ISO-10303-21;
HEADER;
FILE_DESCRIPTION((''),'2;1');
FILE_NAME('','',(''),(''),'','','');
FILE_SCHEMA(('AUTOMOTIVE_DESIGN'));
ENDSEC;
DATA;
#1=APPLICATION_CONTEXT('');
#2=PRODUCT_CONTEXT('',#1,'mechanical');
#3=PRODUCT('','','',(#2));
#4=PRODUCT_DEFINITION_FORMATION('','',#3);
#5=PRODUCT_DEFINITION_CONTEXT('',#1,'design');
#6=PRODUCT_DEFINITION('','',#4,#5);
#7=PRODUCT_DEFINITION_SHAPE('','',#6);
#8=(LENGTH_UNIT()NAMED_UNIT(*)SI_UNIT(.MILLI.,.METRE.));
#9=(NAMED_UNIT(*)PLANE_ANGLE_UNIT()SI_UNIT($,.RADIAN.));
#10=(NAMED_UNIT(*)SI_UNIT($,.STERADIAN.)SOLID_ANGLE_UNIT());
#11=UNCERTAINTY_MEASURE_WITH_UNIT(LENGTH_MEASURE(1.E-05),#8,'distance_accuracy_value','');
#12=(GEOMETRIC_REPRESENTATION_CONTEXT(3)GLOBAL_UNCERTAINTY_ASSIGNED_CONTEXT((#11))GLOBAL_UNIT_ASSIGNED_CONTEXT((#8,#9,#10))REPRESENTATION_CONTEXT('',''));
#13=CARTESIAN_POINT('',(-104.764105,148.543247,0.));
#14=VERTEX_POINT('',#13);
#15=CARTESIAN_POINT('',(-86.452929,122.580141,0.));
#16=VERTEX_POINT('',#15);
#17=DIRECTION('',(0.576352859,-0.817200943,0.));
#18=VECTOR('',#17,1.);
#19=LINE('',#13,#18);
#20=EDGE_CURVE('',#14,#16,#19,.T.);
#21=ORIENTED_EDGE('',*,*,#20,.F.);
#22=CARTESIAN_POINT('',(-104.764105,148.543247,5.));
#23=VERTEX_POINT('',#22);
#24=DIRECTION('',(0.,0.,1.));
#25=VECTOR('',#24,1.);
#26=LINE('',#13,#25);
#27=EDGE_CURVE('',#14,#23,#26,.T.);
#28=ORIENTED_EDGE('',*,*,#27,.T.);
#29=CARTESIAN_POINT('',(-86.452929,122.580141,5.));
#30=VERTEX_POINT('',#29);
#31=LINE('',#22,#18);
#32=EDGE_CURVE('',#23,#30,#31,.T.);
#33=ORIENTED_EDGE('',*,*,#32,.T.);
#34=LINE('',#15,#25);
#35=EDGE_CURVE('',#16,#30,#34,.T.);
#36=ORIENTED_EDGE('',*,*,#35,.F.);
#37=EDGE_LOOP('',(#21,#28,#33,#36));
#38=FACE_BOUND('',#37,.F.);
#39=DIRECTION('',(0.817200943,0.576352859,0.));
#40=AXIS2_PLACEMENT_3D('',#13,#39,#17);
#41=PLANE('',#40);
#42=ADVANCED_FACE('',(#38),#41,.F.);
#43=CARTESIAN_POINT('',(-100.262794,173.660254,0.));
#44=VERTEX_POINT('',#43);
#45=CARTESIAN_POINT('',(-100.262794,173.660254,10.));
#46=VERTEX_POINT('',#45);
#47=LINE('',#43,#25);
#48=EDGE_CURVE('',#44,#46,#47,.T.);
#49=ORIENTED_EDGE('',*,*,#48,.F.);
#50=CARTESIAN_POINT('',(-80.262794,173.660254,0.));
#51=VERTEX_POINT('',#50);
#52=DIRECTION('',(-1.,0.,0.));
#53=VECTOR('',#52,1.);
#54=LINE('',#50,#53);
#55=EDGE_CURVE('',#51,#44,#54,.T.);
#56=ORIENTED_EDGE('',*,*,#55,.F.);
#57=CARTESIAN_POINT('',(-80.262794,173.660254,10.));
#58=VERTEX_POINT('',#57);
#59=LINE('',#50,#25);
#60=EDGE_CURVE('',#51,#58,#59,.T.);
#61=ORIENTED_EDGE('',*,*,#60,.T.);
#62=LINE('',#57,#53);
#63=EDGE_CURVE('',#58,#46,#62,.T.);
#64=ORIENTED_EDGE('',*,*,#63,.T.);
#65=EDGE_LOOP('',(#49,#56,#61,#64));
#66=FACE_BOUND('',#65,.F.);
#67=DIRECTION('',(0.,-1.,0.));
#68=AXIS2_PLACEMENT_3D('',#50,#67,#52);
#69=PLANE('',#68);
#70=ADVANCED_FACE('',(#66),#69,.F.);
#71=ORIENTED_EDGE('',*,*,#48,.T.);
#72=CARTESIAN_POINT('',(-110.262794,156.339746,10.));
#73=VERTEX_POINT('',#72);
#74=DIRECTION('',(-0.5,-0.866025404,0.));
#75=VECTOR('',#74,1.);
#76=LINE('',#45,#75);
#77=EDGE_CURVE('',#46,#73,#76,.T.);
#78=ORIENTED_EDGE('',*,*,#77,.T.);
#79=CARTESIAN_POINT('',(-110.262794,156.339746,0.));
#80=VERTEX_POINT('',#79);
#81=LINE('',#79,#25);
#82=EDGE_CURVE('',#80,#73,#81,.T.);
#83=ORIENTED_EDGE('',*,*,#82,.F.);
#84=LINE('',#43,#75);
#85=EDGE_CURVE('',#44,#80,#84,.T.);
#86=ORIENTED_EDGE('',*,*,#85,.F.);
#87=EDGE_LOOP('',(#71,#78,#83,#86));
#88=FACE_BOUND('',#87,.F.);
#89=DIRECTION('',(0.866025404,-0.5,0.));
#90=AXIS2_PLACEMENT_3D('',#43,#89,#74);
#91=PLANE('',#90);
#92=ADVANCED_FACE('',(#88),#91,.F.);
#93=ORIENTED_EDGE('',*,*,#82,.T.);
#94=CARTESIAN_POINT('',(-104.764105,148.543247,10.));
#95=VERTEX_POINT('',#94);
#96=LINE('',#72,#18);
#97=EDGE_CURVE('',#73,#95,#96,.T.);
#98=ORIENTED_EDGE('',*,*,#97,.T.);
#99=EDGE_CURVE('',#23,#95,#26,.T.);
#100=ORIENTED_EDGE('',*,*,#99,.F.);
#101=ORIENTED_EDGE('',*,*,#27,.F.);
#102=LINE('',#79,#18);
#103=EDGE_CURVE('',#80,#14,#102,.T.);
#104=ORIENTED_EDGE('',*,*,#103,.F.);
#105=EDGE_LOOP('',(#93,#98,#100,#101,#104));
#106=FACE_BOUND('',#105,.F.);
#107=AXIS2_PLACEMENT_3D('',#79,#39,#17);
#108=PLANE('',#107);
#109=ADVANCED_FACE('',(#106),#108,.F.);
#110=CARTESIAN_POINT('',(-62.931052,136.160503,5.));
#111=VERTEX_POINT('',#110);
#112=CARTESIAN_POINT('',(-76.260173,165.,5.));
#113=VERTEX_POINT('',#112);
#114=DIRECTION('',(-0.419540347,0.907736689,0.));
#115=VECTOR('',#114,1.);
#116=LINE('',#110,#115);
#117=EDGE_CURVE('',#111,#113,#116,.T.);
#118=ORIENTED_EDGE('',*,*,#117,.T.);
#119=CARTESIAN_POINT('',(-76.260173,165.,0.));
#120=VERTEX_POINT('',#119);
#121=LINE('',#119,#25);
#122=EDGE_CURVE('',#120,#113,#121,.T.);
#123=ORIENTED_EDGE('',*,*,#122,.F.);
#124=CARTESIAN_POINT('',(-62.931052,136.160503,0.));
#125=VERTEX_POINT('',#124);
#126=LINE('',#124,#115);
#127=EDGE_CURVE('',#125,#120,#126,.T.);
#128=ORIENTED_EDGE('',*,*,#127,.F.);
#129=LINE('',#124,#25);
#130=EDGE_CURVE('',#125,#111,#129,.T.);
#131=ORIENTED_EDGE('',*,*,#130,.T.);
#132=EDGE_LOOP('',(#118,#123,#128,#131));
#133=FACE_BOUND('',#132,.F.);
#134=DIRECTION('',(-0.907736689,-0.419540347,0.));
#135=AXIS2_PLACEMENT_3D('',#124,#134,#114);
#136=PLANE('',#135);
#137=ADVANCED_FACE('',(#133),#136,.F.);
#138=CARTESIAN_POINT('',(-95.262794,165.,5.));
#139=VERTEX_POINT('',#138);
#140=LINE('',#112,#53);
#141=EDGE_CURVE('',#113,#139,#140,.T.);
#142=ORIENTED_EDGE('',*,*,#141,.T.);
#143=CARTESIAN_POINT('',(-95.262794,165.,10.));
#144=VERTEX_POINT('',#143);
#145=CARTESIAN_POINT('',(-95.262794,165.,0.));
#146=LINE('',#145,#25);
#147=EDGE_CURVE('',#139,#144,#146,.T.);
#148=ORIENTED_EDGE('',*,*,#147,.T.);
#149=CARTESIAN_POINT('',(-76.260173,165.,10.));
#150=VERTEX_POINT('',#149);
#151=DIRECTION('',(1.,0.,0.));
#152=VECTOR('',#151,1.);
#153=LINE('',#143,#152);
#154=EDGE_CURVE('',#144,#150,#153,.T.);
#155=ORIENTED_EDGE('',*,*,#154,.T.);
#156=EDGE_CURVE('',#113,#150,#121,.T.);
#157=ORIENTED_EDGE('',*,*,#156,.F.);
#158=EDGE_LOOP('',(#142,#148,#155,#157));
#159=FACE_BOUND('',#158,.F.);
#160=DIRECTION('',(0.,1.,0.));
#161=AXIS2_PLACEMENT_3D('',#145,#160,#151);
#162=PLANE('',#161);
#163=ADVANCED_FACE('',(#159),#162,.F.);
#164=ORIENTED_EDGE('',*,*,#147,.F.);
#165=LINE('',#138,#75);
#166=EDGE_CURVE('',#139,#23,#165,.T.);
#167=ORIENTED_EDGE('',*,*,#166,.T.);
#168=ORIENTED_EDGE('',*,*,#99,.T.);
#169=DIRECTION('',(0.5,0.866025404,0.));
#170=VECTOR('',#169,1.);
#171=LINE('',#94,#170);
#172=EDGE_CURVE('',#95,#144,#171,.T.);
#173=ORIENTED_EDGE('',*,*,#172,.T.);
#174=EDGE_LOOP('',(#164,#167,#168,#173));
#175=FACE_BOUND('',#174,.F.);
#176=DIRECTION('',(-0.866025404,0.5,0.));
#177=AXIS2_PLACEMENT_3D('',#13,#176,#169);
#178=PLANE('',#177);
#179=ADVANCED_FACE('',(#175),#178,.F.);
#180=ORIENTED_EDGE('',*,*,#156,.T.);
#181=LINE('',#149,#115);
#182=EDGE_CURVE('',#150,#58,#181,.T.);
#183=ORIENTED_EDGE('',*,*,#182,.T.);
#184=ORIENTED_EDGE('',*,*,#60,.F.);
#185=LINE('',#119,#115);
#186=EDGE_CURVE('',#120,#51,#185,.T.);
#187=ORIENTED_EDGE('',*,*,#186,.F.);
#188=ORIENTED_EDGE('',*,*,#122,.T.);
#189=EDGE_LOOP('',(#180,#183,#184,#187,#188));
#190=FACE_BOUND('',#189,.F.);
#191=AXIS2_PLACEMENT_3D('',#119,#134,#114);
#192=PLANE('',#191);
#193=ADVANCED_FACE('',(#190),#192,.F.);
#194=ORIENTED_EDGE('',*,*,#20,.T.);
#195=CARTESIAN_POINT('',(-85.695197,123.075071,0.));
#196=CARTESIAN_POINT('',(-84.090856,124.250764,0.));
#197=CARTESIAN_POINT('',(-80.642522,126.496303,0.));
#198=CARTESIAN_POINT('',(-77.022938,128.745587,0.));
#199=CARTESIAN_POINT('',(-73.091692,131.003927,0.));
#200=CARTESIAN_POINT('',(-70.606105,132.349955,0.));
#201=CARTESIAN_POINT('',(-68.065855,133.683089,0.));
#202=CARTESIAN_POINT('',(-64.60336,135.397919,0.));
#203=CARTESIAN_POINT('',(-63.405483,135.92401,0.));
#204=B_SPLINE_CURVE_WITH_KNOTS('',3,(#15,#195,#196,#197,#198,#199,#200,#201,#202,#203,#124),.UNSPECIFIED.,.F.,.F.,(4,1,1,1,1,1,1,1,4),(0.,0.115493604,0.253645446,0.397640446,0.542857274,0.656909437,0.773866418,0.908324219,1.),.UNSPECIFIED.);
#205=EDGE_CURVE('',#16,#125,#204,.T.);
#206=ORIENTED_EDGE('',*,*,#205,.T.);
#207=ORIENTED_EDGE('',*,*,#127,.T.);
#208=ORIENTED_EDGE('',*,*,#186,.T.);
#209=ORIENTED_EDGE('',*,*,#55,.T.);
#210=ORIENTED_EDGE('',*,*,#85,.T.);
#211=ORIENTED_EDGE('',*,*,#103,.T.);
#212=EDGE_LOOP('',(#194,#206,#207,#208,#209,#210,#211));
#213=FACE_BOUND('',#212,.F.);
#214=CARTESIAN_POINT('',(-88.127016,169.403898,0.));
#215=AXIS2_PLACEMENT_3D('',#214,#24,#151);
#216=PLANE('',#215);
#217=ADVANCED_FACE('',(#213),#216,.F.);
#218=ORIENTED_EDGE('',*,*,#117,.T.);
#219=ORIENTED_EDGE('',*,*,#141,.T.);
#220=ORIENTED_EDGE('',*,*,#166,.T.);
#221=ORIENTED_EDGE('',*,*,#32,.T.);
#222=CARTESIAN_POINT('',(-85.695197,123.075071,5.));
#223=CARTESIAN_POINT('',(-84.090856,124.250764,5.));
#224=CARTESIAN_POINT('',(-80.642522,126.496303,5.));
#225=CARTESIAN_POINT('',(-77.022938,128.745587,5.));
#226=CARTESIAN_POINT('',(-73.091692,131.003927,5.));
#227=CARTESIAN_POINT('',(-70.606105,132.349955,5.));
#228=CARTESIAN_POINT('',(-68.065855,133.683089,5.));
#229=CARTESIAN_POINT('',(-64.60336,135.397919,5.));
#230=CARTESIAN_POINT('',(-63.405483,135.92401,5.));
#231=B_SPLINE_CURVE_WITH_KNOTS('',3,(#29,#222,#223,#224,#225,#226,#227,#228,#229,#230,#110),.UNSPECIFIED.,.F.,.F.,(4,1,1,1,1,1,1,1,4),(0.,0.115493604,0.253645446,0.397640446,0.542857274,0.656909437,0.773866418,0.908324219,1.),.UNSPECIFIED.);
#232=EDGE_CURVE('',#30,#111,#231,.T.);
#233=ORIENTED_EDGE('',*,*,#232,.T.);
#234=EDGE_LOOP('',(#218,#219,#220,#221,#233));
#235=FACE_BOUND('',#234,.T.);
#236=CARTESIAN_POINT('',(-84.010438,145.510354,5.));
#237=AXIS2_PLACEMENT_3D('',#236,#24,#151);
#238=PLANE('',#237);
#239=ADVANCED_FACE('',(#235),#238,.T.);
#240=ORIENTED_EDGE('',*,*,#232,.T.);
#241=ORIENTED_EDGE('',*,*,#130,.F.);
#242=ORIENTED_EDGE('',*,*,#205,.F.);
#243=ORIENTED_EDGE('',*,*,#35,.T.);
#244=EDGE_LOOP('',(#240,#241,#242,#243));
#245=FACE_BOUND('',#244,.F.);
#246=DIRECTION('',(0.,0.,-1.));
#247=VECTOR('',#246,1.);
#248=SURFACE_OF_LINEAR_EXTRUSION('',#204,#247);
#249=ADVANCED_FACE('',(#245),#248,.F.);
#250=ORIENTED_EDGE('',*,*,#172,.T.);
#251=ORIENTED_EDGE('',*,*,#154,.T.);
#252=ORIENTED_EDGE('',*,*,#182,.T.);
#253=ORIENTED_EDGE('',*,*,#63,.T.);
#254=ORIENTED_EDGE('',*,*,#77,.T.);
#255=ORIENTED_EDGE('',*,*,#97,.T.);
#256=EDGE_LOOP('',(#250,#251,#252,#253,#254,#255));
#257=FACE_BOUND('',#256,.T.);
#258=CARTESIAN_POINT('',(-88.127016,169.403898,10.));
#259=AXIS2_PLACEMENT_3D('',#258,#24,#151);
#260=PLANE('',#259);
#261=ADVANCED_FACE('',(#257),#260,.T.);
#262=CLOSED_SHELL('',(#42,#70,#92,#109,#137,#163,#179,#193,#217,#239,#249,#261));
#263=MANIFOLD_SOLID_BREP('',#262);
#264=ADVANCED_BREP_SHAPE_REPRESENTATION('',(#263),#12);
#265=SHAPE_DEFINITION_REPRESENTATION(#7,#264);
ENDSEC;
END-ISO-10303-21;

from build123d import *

# Parameters (mm, degrees)
F1_DEPTH = 5
F2_DEPTH = 10


with BuildPart() as f1:
    # F0 (on Top) → F1 (new body)
    with BuildSketch(Plane.XY):
        with BuildLine():
            Line((-95.2627944163, 165), (-104.7641049444, 148.5432474269))
            Line((-104.7641049444, 148.5432474269), (-86.4529288886, 122.5801414854))
            add(Edge.make_bspline(
                [(-86.4529288886, 122.5801414854), (-85.6951969131, 123.0750714308), (-84.0908555257, 124.2507637212), (-80.6425221001, 126.4963027907), (-77.0229378108, 128.7455873666), (-73.0916916126, 131.0039271119), (-70.6061051362, 132.3499551923), (-68.0658554557, 133.683088699), (-64.6033598742, 135.3979190976), (-63.4054828592, 135.9240095399), (-62.9310520816, 136.1605033918)],
                knots=[0, 0, 0, 0, 0.1154936044, 0.2536454465, 0.3976404458, 0.5428572744, 0.6569094368, 0.7738664184, 0.9083242192, 1, 1, 1, 1], degree=3))
            Line((-62.9310520816, 136.1605033918), (-76.2601733601, 165))
            Line((-76.2601733601, 165), (-95.2627944163, 165))
        make_face()
    extrude(amount=F1_DEPTH)

    # F0 (on Top) → F2 (join)
    with BuildSketch(Plane.XY):
        Polygon((-80.2627944163, 173.6602540378), (-100.2627944163, 173.6602540378), (-95.2627944163, 165), (-76.2601733601, 165), align=None)
        Polygon((-100.2627944163, 173.6602540378), (-110.2627944163, 156.3397459622), (-104.7641049444, 148.5432474269), (-95.2627944163, 165), align=None)
    extrude(amount=F2_DEPTH)


solid = f1.part
